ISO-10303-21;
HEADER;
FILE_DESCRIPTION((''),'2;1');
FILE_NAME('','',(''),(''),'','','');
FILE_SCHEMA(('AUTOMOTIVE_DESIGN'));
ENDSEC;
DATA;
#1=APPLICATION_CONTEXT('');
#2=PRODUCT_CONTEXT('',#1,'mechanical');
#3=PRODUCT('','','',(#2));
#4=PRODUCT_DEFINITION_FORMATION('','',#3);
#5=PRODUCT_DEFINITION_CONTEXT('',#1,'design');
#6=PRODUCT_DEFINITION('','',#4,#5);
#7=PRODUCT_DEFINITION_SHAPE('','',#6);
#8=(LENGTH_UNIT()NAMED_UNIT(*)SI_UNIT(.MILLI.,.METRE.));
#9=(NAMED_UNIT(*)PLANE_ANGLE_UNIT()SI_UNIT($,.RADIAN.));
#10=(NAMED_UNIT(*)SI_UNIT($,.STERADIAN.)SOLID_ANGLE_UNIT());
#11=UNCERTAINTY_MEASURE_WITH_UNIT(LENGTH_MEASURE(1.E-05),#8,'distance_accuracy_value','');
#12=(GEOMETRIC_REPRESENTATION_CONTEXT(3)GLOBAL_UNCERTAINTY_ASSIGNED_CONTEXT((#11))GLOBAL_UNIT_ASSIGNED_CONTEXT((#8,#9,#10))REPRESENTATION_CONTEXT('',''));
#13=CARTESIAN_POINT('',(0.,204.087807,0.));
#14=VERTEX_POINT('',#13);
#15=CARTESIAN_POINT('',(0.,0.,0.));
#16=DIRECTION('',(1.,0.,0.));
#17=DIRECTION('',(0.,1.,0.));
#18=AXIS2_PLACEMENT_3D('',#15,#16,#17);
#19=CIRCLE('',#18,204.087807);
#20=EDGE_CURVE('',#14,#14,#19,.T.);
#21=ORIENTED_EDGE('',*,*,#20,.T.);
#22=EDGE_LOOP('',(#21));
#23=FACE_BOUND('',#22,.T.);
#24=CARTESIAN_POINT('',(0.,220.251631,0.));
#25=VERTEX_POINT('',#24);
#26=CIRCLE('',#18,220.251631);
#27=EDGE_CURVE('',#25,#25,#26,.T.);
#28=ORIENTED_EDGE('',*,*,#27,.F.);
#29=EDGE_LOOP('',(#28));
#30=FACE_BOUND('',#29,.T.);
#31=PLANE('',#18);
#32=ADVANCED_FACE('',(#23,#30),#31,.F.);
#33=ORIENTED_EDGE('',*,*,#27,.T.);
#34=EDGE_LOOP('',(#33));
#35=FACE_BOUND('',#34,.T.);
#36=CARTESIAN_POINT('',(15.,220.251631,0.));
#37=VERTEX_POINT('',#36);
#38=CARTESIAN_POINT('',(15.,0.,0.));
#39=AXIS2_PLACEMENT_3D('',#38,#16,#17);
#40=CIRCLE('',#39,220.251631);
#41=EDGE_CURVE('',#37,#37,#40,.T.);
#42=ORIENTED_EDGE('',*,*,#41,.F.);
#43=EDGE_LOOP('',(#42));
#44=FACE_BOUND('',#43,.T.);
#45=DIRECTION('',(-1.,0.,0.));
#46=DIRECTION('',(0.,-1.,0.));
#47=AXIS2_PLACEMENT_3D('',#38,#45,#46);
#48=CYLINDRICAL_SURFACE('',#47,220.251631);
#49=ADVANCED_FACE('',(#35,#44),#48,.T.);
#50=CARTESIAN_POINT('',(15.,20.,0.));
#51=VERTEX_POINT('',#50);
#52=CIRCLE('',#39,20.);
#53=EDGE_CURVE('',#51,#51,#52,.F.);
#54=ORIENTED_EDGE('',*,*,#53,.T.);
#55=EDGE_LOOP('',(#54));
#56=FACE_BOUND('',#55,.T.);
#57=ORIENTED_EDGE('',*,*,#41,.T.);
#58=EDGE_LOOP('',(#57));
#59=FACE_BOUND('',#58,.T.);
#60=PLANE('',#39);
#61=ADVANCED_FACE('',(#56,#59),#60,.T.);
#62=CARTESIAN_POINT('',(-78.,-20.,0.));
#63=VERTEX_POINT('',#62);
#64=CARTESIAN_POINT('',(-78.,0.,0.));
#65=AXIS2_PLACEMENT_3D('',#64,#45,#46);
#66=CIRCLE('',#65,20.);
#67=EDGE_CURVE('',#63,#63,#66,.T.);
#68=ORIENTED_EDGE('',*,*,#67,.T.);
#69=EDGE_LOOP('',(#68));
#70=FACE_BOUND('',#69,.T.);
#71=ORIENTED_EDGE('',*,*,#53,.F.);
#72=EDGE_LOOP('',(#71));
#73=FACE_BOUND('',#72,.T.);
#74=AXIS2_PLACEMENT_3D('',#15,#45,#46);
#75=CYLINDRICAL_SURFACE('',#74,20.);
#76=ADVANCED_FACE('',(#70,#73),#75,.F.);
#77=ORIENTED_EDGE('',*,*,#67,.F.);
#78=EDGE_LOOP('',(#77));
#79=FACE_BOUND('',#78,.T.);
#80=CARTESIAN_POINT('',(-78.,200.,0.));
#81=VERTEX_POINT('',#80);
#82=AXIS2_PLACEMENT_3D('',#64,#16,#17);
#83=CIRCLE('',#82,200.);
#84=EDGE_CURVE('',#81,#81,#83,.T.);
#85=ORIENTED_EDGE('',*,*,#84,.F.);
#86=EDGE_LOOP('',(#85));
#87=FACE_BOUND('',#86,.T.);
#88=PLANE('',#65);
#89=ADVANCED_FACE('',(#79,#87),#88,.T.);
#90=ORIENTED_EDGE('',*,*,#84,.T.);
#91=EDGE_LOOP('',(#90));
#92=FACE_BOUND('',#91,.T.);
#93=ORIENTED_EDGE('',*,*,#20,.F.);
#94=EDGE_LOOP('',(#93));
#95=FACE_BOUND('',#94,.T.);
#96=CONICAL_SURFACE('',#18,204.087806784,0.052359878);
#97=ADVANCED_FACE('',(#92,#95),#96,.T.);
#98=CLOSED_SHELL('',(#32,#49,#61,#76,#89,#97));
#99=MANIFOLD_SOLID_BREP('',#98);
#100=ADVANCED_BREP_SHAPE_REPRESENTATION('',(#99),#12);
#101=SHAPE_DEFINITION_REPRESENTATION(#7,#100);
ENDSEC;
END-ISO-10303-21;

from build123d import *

# Parameters (mm, degrees)
SKETCH2_R           = 20
CUT_EXTRUDE1_DEPTH  = 299.977701101
SKETCH3_R           = 220.25163117
SKETCH3_R_2         = 20
BOSS_EXTRUDE1_DEPTH = 15


with BuildPart() as part:
    # Sketch1 → Revolve1 (revolve)
    with BuildSketch(Plane.XY):
        Polygon((0, 0), (-78, 0), (-78, 200), (0, 204.087806784), align=None)
    revolve(axis=Axis((0, 0, 0), (-1, 0, 0)))

    # Sketch2 → Cut-Extrude1 (cut, through all)
    with BuildSketch(Plane.ZY.offset(78)):
        with Locations(Location((0, 0, 0), (0, 0, 270))):
            Circle(SKETCH2_R)
    extrude(amount=-CUT_EXTRUDE1_DEPTH, mode=Mode.SUBTRACT)

    # Sketch3 → Boss-Extrude1 (add)
    with BuildSketch(Plane(origin=(0, 0, 0), x_dir=(0, 0, -1), z_dir=(1, 0, 0))):
        with Locations(Location((0, 0, 0), (0, 0, 90))):
            Circle(SKETCH3_R)
        with Locations(Location((0, 0, 0), (0, 0, 270))):
            Circle(SKETCH3_R_2, mode=Mode.SUBTRACT)
    extrude(amount=BOSS_EXTRUDE1_DEPTH)


solid = part.part
